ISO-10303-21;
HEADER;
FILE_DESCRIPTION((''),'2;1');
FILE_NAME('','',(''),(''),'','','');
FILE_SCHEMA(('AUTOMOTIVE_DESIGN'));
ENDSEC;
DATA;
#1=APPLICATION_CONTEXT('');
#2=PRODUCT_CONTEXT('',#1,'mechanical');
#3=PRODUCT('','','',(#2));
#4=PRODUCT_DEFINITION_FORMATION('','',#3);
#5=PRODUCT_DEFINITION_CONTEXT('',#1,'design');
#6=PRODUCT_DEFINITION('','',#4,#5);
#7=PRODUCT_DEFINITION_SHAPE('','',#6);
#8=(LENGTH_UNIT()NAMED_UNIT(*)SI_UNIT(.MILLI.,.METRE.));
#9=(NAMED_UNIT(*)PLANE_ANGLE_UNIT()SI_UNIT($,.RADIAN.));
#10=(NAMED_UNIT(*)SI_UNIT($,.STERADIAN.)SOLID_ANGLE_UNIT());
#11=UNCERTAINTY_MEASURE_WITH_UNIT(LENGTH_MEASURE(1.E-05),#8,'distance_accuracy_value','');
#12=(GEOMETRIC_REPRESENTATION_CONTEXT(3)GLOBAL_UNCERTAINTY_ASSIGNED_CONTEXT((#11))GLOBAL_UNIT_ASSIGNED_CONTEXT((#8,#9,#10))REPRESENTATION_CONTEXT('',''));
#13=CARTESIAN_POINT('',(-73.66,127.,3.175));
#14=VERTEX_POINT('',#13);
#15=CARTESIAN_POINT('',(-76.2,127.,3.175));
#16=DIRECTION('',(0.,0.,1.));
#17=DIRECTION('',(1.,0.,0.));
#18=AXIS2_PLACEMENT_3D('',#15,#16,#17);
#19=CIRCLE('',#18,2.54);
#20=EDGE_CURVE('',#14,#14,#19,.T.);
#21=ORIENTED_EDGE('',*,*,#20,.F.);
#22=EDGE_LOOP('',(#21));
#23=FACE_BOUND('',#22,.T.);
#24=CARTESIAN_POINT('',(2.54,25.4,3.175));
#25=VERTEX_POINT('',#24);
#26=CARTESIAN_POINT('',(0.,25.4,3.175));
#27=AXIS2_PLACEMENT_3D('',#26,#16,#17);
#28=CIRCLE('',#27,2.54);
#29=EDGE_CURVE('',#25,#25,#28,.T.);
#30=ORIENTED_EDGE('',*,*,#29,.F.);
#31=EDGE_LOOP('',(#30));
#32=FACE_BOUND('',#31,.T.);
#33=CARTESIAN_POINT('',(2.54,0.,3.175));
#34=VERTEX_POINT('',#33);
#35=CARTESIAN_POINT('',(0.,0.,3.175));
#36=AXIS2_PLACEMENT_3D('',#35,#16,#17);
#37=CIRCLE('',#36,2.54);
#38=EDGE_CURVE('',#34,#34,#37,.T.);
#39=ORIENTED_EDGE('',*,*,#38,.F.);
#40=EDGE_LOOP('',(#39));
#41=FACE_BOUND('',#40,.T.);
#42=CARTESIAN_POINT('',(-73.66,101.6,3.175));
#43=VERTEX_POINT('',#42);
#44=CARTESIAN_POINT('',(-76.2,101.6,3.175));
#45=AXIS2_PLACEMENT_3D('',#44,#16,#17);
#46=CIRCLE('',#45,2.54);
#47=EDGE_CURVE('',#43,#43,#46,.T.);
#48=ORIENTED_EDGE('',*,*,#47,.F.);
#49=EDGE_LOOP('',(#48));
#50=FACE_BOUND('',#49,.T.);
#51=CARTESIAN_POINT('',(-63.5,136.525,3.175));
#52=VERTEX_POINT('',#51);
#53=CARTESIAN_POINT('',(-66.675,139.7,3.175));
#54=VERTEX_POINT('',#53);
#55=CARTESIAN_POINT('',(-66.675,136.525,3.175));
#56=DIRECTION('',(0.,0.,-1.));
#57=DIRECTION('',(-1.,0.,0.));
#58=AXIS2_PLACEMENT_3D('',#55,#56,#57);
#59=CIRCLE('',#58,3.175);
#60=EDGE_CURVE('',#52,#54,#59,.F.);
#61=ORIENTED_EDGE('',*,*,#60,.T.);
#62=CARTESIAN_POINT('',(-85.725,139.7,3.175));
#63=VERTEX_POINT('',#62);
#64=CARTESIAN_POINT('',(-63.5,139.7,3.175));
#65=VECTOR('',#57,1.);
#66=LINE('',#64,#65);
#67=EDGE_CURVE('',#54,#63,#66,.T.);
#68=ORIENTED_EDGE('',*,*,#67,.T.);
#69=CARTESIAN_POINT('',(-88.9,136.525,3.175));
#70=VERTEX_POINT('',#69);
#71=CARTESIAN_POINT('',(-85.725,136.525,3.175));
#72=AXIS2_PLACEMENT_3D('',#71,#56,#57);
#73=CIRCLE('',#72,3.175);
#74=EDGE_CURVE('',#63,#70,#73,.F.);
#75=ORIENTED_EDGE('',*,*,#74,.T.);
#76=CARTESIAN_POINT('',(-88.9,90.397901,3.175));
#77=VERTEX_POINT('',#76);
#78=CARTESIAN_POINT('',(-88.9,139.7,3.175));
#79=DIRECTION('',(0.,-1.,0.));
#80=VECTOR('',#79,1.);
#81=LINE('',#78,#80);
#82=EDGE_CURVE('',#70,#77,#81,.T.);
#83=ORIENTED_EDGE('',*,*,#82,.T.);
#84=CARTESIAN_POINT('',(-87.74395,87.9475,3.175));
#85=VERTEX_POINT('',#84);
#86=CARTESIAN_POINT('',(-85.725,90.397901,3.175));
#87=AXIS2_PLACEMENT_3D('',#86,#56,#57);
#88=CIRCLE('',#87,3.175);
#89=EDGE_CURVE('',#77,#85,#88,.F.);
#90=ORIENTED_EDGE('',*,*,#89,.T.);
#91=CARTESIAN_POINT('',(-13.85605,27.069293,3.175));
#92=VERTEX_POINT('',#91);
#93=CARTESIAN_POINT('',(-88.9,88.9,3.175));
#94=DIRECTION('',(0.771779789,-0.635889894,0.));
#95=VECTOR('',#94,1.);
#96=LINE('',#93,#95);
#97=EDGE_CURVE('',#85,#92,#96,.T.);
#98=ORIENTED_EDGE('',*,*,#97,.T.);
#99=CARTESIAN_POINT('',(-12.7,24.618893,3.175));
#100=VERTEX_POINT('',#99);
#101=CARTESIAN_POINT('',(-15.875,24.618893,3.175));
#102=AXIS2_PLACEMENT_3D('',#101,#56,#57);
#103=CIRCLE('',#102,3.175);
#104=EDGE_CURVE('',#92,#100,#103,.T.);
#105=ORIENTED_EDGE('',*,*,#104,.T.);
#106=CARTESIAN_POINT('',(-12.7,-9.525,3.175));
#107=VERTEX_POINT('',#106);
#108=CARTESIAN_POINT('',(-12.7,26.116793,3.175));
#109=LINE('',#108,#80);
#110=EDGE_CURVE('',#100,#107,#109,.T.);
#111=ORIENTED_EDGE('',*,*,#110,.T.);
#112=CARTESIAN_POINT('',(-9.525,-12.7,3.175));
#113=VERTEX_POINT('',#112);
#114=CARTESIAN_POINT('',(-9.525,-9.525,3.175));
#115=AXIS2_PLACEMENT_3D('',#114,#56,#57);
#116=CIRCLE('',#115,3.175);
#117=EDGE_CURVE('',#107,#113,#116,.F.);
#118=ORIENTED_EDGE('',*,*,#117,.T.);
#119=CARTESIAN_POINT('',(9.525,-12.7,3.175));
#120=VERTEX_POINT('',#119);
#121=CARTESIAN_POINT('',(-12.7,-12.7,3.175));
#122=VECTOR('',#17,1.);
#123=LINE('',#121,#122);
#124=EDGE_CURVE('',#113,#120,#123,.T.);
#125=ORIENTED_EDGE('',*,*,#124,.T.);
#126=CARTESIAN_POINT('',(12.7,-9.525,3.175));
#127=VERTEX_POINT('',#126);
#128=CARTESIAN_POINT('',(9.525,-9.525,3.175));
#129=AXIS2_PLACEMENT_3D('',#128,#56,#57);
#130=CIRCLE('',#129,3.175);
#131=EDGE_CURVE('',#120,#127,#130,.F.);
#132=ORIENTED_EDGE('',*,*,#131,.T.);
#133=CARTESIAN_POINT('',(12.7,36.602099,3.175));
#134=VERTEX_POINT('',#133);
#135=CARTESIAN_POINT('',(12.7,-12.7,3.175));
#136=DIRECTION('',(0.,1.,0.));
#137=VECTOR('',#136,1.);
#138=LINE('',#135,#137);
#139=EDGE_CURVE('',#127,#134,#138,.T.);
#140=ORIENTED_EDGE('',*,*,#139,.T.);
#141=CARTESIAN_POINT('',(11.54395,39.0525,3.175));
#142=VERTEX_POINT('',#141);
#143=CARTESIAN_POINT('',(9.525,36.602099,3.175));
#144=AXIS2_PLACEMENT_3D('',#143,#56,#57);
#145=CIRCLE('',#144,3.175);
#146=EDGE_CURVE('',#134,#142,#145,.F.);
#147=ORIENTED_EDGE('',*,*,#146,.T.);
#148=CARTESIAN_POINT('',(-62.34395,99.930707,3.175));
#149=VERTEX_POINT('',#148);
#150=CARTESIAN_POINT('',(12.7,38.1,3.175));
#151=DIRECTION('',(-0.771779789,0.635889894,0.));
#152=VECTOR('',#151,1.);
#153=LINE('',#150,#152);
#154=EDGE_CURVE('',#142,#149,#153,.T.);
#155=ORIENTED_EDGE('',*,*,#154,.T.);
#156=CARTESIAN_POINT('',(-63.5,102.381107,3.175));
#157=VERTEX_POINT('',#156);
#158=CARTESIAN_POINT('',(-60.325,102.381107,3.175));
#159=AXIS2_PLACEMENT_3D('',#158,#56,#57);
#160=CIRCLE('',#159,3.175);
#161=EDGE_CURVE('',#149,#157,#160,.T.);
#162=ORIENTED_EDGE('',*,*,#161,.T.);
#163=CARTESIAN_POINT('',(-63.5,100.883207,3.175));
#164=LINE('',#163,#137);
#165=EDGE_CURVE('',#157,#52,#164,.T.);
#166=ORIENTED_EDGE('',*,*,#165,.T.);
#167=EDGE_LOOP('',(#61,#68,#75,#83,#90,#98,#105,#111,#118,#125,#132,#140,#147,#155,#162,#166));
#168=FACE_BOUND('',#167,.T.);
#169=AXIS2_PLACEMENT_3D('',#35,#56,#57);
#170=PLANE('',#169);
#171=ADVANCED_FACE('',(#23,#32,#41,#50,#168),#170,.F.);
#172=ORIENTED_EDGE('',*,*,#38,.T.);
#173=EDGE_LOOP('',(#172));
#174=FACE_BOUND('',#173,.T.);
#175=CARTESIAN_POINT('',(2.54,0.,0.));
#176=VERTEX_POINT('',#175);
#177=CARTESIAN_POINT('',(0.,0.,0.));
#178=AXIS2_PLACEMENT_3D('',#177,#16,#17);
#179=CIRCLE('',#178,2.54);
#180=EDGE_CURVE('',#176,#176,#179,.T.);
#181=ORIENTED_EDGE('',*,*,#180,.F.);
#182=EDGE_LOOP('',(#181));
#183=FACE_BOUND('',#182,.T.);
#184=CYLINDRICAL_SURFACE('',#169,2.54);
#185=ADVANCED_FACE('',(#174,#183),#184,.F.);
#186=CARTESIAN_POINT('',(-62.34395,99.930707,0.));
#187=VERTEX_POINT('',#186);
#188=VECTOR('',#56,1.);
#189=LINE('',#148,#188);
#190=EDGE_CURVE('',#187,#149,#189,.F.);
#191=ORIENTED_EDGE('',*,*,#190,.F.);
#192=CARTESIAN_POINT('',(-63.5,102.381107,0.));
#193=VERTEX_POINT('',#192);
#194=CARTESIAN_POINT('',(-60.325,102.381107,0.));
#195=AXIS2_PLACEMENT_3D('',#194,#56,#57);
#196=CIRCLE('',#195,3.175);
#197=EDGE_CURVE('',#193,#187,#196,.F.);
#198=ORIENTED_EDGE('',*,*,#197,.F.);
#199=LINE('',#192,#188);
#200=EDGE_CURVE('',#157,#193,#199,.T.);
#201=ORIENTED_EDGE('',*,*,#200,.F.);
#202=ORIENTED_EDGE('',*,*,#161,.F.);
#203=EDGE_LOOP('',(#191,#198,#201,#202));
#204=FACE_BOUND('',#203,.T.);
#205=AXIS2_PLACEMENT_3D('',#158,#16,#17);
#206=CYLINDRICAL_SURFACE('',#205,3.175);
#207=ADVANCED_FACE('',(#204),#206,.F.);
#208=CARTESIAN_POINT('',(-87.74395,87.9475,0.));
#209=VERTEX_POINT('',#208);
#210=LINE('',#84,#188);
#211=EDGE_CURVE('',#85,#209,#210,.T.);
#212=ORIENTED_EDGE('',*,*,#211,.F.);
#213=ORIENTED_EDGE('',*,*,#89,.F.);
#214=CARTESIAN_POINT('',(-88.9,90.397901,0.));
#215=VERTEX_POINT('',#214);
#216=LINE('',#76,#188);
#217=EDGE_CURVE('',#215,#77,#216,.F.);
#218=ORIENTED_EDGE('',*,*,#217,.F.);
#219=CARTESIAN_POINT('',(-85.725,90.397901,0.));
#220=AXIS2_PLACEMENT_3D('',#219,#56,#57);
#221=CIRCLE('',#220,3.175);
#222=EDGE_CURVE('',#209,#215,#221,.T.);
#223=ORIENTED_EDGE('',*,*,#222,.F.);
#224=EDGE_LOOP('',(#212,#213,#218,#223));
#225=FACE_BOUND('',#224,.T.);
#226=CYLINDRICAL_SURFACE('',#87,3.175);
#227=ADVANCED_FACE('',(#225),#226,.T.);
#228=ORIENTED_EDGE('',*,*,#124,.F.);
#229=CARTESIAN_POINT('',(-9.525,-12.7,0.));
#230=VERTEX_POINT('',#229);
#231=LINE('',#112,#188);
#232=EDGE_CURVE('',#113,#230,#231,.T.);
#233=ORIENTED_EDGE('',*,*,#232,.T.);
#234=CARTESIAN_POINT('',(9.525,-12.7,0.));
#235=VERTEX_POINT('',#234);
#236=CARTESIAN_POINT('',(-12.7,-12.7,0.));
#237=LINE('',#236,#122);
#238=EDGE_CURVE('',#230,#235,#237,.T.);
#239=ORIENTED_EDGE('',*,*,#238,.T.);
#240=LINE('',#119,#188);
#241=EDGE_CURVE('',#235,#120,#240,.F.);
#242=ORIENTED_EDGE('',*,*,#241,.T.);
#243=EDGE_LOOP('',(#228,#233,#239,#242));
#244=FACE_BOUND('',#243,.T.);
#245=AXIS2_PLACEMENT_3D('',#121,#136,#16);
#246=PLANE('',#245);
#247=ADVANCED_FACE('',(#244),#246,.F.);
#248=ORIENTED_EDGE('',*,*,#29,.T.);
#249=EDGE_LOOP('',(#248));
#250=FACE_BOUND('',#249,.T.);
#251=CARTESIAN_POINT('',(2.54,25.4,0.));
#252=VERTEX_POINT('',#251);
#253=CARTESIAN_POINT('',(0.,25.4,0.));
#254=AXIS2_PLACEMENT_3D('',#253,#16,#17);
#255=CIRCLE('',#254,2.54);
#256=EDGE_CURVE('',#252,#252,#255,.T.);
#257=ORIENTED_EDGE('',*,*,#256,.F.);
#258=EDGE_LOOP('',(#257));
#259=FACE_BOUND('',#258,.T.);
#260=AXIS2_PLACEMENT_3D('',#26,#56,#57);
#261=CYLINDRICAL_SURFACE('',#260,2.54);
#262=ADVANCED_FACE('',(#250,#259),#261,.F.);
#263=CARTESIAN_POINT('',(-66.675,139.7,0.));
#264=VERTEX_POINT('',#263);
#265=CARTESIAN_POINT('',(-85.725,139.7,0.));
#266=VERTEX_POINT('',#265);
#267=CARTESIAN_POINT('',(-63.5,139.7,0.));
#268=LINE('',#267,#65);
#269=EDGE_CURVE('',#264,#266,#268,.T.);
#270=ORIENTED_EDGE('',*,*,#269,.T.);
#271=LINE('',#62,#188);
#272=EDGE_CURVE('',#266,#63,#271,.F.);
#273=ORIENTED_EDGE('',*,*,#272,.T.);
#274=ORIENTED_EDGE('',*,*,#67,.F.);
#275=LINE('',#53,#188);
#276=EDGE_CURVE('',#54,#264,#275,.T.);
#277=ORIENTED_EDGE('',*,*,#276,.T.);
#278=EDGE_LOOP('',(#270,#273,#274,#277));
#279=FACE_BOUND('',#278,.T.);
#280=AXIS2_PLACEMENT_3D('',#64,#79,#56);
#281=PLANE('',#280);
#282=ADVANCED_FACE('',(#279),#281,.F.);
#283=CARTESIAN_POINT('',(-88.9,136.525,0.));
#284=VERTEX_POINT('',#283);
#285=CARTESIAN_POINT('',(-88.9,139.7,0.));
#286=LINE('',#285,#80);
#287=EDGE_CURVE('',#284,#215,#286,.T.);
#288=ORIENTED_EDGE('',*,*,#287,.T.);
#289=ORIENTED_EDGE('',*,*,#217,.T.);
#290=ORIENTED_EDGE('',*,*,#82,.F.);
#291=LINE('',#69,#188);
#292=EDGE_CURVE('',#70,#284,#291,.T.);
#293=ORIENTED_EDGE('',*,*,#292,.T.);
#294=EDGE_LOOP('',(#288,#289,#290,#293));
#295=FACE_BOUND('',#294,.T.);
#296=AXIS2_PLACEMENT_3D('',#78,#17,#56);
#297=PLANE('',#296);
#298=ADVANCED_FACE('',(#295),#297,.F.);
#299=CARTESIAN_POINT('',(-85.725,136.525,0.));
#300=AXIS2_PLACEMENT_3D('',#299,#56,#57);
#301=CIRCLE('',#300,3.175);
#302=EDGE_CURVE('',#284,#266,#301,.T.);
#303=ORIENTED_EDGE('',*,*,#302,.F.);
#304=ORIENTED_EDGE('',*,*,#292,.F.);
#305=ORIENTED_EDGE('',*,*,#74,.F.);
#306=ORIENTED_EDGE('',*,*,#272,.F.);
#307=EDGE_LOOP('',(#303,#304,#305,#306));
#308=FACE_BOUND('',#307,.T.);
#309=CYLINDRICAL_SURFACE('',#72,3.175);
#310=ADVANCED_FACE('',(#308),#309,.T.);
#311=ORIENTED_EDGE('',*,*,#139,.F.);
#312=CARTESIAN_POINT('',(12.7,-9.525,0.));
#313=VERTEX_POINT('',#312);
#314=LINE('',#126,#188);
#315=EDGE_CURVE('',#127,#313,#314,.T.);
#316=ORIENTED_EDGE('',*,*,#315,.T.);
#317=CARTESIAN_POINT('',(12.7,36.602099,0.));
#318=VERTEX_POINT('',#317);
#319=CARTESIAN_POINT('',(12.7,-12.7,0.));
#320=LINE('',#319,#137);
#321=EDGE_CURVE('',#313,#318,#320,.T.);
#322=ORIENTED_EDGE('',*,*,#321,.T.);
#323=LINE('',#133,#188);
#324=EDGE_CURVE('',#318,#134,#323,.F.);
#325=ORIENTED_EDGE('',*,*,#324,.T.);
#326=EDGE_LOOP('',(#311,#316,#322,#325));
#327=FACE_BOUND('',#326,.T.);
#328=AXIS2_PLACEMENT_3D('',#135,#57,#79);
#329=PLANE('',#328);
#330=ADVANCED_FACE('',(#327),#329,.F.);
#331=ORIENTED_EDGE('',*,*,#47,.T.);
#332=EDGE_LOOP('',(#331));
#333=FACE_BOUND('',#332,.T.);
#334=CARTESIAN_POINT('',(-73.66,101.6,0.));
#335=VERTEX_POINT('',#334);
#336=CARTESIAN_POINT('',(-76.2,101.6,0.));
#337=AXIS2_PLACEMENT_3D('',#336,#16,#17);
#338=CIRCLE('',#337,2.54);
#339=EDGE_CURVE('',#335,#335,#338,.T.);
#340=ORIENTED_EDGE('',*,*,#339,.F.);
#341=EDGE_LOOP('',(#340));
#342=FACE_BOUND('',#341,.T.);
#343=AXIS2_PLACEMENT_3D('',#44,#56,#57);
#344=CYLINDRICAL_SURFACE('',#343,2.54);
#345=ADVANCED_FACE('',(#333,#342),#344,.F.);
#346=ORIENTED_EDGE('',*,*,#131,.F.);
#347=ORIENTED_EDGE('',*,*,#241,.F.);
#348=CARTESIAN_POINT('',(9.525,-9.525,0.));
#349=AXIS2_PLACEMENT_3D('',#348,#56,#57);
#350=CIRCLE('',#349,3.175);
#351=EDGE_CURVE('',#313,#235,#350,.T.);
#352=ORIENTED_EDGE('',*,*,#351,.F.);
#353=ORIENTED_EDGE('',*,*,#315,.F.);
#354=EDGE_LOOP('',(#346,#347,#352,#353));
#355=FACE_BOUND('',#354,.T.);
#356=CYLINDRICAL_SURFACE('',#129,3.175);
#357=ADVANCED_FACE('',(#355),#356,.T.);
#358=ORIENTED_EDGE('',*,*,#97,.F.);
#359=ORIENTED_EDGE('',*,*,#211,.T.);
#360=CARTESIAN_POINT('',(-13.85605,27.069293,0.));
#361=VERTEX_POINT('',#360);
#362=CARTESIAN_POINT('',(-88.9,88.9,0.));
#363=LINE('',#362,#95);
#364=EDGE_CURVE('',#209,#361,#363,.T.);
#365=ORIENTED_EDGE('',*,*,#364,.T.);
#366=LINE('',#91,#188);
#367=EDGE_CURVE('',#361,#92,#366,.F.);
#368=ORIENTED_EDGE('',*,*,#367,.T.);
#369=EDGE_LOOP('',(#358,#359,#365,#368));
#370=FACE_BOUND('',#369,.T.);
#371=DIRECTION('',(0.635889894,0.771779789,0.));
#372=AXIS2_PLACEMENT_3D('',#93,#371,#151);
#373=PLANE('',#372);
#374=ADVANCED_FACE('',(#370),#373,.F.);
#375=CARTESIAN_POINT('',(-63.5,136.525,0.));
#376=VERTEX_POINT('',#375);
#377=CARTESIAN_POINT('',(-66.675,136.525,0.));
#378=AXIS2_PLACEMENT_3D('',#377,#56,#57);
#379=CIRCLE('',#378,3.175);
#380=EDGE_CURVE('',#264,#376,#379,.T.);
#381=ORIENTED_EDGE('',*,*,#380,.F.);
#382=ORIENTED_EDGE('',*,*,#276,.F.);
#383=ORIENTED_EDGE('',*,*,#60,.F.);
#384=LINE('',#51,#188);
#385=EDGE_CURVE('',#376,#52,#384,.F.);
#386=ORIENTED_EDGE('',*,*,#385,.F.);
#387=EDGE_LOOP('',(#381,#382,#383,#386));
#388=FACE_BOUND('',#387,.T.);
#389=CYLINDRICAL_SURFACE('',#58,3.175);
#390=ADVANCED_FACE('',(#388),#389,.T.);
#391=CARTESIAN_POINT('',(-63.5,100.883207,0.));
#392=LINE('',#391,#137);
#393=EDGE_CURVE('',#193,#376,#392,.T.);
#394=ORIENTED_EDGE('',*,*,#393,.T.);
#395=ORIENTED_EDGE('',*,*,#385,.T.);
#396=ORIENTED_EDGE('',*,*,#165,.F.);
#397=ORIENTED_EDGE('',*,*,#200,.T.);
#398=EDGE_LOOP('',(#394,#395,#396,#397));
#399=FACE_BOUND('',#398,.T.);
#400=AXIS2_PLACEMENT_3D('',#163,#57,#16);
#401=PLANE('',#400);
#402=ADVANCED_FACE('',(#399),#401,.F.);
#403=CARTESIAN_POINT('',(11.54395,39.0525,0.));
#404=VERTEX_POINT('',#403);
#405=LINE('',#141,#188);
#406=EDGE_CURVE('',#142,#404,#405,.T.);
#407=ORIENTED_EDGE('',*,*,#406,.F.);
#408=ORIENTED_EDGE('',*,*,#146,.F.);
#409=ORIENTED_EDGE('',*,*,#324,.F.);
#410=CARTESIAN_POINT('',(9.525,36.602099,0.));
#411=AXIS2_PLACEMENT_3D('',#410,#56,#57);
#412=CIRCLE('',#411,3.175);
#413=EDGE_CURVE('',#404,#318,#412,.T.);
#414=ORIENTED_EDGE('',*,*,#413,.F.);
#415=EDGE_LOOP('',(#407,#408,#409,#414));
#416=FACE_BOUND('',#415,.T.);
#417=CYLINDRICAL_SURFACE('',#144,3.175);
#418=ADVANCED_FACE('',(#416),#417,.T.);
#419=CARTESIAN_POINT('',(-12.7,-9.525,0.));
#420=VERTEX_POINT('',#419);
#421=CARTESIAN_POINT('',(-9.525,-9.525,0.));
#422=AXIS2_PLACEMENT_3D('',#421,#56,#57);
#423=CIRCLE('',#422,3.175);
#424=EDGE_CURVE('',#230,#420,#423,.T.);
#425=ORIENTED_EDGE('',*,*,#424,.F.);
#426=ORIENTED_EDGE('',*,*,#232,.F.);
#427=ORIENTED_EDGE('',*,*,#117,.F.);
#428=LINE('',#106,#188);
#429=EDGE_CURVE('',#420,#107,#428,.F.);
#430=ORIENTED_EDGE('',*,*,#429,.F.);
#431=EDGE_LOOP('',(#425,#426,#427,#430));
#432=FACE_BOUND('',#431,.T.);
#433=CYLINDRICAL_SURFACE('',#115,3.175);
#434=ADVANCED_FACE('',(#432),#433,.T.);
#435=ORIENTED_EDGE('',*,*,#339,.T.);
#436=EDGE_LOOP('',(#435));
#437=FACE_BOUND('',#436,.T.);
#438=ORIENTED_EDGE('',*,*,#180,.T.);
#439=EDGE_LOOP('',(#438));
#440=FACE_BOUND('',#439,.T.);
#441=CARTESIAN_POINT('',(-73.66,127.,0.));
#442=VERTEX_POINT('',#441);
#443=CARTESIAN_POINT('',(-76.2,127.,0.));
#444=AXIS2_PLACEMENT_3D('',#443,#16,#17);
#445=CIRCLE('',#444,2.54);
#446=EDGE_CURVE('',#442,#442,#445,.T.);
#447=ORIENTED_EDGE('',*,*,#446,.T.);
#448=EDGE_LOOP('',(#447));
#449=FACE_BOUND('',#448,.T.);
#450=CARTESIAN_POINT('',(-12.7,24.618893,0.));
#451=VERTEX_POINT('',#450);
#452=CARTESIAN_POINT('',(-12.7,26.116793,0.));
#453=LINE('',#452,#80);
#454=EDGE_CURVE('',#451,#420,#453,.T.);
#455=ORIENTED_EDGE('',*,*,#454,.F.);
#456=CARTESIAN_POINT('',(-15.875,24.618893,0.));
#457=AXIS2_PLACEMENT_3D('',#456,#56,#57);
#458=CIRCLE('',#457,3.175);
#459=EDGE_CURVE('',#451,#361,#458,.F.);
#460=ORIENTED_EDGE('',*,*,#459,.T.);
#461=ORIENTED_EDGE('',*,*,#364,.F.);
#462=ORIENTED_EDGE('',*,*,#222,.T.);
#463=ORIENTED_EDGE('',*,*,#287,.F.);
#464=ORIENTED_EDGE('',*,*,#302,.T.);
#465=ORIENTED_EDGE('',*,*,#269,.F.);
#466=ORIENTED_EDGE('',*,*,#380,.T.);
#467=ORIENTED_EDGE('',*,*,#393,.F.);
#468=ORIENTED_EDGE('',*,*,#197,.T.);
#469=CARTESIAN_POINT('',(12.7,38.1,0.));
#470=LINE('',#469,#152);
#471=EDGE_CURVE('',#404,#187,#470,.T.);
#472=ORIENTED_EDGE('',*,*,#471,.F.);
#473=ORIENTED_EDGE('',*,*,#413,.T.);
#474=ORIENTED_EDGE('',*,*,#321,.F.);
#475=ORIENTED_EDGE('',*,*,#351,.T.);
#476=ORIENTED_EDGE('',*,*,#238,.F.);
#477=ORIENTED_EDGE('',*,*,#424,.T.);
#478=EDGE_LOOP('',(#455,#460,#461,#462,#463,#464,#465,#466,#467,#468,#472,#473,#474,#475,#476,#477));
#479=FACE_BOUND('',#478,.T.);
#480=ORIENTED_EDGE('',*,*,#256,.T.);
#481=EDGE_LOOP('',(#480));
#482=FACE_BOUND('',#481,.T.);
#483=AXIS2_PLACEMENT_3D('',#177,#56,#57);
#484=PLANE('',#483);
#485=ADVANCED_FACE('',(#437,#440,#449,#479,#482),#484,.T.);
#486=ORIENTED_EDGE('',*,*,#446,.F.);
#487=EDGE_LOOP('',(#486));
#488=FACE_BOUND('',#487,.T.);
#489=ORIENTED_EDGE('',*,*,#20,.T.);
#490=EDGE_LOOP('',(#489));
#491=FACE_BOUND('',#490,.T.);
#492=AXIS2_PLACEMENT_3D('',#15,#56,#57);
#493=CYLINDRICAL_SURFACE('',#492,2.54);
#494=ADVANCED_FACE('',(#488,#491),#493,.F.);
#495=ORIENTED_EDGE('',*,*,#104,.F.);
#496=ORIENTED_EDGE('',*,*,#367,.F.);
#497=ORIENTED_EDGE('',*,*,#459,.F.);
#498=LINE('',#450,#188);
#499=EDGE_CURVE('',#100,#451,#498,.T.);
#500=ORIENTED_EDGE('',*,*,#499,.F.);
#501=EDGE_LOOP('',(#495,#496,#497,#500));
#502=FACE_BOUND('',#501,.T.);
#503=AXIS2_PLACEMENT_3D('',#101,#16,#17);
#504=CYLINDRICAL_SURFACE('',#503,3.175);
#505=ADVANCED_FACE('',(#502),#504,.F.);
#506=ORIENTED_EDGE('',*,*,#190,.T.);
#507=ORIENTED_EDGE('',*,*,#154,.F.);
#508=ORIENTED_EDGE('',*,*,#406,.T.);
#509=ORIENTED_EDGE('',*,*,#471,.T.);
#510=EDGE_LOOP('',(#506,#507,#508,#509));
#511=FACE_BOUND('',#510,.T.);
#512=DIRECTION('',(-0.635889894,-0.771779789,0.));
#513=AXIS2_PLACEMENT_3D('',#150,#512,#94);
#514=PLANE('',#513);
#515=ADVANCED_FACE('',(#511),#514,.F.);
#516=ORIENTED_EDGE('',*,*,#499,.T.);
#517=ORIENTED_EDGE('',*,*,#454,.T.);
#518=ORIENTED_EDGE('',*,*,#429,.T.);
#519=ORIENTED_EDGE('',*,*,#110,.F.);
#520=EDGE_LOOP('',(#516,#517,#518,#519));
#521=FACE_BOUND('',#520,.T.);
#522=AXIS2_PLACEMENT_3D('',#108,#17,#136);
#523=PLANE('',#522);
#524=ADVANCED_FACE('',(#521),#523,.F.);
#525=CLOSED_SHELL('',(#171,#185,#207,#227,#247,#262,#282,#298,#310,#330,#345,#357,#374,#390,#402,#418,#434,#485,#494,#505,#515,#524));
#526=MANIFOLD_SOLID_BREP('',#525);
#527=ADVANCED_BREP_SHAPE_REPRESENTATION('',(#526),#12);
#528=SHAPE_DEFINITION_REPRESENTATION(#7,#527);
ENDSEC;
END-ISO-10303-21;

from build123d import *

# Parameters (mm, degrees)
SKETCH1_R           = 2.54
BOSS_EXTRUDE1_DEPTH = 3.175
FILLET1_R           = 3.175


with BuildPart() as part:
    # Sketch1 → Boss-Extrude1 (new body)
    with BuildSketch(Plane.XY):
        Polygon((-12.7, -12.7), (12.7, -12.7), (12.7, 38.1), (-63.5, 100.883206633), (-63.5, 139.7), (-88.9, 139.7), (-88.9, 88.9), (-12.7, 26.116793367), align=None)
        with Locations((0, 25.4)):
            Circle(SKETCH1_R, mode=Mode.SUBTRACT)
        Circle(SKETCH1_R, mode=Mode.SUBTRACT)
        with Locations((-76.2, 127)):
            Circle(SKETCH1_R, mode=Mode.SUBTRACT)
        with Locations((-76.2, 101.6)):
            Circle(SKETCH1_R, mode=Mode.SUBTRACT)
    extrude(amount=BOSS_EXTRUDE1_DEPTH)

    # Fillet1
    fillet1_edges = [part.edges().sort_by_distance(p)[0] for p in [
        (-88.9, 88.9, 1.5875),
        (-88.9, 139.7, 1.5875),
        (-63.5, 139.7, 1.5875),
        (-63.5, 100.883206633, 1.5875),
        (12.7, 38.1, 1.5875),
        (12.7, -12.7, 1.5875),
        (-12.7, -12.7, 1.5875),
        (-12.7, 26.116793367, 1.5875),
    ]]
    fillet(fillet1_edges, radius=FILLET1_R)


solid = part.part
